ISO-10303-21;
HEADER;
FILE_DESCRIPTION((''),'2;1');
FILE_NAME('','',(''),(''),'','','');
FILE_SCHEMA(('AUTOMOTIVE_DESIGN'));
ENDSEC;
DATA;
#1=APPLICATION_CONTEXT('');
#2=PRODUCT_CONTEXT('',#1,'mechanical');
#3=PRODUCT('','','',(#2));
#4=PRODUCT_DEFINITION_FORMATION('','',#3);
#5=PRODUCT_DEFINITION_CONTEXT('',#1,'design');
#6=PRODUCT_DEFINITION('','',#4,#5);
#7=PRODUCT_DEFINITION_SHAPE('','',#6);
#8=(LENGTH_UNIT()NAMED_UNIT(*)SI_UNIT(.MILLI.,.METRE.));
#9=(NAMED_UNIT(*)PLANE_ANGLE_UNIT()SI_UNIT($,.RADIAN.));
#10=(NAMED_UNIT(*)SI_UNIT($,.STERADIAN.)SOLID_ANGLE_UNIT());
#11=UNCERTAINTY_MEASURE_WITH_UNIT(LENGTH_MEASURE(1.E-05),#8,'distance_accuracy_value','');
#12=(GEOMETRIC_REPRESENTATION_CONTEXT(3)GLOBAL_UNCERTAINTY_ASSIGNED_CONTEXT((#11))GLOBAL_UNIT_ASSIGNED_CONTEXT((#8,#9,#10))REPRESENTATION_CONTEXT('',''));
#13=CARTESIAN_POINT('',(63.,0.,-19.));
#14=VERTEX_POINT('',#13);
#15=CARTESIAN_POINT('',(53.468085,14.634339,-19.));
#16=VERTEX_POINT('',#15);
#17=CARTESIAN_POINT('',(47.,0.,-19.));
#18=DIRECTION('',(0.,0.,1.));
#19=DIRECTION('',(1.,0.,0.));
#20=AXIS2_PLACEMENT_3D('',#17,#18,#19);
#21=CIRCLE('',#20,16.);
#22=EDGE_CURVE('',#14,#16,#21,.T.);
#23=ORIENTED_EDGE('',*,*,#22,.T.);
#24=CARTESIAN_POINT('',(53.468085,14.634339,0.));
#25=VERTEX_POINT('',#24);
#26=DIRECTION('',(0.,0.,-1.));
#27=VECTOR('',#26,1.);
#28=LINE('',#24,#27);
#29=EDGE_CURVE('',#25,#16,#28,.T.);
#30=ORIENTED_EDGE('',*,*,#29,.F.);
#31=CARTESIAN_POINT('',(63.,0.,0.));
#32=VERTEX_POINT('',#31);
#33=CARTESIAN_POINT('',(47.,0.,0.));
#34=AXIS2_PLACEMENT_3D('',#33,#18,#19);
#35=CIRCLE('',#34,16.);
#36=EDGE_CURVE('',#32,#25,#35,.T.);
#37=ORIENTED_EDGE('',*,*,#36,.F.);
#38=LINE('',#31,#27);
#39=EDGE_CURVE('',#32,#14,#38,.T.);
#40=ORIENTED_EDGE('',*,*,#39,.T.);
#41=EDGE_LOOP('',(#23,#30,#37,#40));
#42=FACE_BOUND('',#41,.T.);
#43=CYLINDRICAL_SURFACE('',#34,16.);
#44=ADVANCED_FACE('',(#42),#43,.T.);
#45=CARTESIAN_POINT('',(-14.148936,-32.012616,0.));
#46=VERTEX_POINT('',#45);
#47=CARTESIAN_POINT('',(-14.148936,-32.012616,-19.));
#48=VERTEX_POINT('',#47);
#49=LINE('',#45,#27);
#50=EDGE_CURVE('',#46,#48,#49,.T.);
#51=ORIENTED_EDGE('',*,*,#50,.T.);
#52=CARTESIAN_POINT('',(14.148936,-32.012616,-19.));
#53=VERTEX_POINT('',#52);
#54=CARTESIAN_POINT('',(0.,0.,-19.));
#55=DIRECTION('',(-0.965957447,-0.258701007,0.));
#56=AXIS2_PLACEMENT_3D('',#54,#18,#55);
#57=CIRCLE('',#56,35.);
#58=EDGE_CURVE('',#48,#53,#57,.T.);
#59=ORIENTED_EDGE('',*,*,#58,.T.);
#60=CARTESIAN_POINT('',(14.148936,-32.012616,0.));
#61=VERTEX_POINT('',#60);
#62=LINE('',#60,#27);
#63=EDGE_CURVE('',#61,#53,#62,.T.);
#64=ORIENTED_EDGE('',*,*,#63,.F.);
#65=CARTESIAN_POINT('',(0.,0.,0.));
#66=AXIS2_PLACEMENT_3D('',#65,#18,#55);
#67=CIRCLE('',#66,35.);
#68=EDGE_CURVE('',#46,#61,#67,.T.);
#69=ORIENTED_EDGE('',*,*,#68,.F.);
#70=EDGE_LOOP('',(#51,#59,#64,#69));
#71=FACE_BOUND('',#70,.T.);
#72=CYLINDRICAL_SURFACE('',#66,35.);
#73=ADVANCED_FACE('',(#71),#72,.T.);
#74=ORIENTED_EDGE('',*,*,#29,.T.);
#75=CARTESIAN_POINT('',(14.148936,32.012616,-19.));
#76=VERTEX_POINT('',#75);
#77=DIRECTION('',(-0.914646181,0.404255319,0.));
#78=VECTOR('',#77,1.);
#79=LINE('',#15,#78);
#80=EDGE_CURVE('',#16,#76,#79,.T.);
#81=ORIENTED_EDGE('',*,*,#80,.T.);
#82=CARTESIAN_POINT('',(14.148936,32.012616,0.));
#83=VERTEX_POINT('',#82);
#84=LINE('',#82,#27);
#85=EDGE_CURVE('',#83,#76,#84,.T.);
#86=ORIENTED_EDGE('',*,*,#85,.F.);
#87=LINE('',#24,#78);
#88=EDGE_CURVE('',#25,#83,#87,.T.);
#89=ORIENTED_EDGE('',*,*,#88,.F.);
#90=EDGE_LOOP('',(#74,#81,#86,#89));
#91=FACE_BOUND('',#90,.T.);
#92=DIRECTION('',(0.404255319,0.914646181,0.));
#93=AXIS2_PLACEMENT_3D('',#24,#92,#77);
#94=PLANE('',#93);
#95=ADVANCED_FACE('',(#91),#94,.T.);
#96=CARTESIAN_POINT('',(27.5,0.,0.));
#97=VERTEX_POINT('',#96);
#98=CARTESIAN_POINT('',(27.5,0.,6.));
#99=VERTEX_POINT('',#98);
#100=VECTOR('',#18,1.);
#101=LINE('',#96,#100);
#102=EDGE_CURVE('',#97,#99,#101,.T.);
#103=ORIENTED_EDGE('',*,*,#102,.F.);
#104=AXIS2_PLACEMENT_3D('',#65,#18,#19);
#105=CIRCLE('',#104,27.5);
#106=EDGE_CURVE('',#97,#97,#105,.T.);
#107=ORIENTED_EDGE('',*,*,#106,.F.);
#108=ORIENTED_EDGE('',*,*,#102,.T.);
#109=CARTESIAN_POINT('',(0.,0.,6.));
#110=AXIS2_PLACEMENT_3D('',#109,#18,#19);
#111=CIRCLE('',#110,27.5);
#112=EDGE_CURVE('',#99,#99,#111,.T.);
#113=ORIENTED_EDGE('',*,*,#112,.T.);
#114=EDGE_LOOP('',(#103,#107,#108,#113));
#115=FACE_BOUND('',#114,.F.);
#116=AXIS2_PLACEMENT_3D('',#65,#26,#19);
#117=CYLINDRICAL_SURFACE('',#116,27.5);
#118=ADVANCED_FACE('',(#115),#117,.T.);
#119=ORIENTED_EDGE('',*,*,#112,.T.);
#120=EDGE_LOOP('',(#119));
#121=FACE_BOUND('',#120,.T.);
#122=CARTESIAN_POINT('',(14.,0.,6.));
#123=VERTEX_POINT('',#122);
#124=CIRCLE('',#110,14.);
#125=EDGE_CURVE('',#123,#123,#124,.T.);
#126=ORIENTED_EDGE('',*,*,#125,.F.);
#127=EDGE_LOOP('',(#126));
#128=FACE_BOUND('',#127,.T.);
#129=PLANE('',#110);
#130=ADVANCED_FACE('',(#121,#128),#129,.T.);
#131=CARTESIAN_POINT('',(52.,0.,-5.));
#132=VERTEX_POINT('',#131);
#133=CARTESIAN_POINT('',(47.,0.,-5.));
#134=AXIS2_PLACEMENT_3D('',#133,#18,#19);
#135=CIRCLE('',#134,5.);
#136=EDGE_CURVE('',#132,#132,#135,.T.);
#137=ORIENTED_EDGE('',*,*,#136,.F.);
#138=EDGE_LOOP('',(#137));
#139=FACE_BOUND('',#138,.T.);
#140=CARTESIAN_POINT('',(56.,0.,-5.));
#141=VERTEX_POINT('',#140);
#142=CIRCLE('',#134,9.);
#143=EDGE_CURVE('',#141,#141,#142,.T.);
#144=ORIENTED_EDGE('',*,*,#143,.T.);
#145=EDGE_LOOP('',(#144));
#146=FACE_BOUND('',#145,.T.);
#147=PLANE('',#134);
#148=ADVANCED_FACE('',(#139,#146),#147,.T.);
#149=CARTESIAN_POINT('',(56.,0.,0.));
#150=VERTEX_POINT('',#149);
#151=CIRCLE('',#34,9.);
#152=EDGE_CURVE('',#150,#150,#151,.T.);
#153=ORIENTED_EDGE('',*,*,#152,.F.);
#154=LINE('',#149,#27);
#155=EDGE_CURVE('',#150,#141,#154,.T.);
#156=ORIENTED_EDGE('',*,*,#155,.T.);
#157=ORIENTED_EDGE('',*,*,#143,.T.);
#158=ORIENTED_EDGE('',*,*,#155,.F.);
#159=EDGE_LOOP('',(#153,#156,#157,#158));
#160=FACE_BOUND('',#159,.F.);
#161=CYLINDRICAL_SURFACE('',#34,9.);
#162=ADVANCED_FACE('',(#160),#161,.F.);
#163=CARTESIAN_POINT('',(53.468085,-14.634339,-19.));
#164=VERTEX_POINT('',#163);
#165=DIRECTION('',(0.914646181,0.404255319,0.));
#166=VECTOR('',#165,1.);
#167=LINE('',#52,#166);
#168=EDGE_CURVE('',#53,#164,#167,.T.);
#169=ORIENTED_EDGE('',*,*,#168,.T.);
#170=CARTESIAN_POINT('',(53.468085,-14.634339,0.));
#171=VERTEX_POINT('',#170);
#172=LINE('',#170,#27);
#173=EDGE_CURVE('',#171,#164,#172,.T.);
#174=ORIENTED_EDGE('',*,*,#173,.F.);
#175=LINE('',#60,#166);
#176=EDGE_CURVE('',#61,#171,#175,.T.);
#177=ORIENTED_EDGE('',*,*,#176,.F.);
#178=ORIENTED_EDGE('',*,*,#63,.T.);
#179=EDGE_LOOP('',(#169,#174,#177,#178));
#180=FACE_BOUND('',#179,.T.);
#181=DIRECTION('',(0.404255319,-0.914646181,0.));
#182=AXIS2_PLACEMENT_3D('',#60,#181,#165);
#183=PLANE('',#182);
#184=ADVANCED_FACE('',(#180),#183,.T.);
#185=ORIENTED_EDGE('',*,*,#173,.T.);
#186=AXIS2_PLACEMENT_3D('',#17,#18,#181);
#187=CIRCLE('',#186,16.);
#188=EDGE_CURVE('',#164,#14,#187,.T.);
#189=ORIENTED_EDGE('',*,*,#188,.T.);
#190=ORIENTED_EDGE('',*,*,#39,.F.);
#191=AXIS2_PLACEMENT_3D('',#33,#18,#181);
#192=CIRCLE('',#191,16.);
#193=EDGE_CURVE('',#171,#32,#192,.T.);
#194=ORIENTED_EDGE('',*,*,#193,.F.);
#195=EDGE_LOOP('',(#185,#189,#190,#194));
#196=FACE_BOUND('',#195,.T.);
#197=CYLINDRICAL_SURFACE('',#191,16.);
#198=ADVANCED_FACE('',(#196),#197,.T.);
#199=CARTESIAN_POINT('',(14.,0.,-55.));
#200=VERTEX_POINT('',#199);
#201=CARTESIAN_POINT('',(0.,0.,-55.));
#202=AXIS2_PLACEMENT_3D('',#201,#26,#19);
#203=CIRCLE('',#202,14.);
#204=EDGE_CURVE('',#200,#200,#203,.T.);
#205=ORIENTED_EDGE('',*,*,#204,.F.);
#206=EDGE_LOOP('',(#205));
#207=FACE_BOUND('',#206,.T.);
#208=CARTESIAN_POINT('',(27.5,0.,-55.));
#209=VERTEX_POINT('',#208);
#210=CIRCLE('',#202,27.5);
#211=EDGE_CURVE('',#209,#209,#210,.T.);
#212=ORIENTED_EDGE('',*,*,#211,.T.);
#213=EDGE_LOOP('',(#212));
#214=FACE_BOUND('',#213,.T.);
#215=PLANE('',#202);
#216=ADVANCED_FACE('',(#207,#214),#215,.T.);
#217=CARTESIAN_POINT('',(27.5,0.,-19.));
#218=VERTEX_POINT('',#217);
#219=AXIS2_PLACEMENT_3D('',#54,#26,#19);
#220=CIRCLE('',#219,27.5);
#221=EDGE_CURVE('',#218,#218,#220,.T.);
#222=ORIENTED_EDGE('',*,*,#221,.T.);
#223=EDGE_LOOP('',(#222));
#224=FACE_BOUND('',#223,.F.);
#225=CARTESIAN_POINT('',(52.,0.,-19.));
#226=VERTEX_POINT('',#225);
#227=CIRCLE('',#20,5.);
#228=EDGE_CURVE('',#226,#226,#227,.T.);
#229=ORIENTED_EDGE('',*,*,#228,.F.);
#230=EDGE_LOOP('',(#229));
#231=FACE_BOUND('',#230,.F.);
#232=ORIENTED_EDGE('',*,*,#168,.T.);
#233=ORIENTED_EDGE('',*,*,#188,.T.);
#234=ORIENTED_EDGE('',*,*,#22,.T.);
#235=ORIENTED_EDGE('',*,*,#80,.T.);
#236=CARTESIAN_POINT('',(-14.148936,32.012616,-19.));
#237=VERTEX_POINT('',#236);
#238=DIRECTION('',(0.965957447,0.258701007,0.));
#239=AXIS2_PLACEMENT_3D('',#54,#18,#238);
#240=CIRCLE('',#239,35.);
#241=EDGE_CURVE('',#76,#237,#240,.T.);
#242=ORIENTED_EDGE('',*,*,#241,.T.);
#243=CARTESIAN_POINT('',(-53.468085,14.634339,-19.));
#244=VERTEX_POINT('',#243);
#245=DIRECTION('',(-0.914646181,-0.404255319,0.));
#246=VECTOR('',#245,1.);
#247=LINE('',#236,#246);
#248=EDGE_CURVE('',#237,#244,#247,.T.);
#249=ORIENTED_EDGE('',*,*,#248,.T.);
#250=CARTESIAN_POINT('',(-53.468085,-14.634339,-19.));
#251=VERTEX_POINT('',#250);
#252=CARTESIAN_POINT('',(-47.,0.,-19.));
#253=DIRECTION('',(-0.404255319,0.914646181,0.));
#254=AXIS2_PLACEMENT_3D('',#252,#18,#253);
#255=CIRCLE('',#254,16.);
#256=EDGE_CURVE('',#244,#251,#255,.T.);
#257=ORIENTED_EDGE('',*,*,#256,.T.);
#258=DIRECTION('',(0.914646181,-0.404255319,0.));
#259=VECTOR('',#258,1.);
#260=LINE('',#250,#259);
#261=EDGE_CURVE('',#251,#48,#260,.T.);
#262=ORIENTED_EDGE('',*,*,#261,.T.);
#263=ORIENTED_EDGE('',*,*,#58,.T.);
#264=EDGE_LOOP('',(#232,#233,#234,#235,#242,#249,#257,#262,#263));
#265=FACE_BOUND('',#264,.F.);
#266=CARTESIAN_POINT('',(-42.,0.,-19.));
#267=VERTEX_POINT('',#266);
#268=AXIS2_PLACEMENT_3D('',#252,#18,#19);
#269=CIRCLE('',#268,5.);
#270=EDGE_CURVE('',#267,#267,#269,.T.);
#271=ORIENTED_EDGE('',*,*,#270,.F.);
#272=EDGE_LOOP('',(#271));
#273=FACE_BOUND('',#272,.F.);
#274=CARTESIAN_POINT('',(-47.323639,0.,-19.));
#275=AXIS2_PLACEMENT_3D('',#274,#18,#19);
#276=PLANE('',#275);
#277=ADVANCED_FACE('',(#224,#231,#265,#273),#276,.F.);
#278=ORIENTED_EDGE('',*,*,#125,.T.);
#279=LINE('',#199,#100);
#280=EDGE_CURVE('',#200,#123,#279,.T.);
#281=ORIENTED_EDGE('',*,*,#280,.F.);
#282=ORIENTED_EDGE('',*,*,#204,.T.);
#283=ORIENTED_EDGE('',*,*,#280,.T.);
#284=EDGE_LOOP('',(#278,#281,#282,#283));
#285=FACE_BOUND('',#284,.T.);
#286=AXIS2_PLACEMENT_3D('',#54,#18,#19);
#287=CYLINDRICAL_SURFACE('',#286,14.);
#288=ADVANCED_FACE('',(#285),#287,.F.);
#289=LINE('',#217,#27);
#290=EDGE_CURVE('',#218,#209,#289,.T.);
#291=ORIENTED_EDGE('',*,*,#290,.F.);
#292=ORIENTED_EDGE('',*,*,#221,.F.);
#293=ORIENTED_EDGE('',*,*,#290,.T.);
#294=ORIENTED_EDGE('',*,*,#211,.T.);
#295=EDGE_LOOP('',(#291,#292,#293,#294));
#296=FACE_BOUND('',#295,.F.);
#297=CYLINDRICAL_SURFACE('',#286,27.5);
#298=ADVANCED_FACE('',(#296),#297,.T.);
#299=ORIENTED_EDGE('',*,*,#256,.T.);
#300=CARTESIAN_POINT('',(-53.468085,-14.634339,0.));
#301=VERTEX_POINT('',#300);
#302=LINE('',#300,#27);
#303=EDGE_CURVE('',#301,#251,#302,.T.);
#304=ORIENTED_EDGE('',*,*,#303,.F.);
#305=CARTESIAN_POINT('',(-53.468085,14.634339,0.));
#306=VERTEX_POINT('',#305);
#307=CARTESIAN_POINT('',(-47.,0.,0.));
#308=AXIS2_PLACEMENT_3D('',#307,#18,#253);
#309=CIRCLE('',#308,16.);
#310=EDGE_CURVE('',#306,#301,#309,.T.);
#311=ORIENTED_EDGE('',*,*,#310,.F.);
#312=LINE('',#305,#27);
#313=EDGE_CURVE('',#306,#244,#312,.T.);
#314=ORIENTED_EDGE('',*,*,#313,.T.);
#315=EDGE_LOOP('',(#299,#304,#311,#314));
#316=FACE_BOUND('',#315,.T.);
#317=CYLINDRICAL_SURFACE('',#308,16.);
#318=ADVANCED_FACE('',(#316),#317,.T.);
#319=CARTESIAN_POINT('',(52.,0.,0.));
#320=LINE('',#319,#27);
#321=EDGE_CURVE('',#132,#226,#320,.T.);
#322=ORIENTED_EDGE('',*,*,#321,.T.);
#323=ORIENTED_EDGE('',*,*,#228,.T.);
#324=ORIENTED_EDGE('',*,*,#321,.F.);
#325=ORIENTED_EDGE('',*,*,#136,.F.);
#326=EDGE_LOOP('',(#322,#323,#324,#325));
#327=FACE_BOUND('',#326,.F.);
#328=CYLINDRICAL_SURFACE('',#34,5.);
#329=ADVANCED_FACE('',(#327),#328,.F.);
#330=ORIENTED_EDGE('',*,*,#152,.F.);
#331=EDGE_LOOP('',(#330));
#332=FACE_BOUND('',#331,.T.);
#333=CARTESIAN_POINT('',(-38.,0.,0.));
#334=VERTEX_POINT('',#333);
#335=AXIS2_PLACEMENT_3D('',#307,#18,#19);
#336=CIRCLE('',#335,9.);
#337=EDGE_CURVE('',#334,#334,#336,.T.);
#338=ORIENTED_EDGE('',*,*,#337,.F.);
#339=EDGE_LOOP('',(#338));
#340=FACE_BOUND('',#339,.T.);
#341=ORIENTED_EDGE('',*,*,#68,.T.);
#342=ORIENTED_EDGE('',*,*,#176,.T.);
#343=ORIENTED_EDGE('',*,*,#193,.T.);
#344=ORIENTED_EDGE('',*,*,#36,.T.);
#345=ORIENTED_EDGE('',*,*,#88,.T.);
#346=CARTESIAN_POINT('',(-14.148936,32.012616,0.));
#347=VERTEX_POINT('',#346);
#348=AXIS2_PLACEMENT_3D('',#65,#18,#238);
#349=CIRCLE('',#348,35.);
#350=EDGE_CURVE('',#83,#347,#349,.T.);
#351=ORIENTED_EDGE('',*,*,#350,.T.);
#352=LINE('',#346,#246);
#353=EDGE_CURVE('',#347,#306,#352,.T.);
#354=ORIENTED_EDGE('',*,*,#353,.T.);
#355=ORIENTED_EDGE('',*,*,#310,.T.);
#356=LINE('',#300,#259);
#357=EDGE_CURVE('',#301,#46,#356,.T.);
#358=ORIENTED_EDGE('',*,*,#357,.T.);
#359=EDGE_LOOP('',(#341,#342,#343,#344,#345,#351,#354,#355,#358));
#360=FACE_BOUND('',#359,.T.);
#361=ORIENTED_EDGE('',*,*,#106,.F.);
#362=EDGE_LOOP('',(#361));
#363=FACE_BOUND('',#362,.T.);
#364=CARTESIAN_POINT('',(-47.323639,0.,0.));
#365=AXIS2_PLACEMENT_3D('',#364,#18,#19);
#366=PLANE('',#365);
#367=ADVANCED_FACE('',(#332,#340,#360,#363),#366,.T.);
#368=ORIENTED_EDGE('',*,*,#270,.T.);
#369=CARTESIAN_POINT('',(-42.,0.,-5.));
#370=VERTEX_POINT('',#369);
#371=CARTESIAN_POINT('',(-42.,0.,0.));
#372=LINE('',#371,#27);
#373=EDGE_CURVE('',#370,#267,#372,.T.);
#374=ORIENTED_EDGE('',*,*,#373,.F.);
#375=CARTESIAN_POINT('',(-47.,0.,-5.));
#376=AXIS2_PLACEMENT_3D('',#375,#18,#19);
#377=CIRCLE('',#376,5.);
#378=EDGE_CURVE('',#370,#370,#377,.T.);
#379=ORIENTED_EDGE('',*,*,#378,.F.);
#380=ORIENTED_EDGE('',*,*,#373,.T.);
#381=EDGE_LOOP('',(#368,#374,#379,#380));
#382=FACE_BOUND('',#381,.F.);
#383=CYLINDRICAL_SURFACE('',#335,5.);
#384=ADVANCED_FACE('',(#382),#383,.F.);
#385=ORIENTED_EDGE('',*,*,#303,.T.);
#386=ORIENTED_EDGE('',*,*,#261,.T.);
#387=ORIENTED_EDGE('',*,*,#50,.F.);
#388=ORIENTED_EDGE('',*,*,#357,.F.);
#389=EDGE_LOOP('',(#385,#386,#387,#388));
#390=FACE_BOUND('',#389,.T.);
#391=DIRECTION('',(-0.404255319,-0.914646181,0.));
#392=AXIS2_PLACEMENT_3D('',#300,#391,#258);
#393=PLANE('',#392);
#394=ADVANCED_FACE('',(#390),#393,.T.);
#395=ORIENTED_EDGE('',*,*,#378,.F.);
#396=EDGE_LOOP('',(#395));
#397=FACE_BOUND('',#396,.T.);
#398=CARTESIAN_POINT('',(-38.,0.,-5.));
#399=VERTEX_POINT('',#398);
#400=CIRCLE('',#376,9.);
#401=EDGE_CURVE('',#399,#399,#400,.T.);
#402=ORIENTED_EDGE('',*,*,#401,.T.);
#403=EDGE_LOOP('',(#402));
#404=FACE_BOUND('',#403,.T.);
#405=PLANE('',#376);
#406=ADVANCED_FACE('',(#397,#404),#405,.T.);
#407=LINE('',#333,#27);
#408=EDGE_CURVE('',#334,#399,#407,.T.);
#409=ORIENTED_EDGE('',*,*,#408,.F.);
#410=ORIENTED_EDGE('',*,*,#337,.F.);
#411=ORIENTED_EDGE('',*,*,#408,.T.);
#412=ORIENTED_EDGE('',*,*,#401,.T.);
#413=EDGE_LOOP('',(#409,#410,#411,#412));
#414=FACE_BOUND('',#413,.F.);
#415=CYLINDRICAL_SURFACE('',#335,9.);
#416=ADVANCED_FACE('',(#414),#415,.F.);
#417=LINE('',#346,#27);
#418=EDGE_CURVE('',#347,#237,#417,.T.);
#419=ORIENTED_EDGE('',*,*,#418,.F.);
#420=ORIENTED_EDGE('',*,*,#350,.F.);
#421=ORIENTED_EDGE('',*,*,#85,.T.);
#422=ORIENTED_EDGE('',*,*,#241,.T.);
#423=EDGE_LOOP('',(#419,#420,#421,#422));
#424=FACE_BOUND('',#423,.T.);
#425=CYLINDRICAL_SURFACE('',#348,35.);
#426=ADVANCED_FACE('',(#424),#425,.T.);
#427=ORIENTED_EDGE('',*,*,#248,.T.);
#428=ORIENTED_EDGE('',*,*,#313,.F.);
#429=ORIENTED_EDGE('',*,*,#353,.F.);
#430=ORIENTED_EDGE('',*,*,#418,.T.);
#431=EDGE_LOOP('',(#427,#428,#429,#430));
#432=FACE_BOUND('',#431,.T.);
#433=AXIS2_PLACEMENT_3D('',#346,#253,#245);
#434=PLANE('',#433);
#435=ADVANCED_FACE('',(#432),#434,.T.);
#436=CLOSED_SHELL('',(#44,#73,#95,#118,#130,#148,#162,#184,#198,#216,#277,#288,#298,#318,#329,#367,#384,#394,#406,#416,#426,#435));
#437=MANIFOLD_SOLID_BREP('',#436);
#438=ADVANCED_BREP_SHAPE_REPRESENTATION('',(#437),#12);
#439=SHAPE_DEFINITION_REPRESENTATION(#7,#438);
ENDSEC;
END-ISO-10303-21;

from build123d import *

# Parameters (mm, degrees)
F0_R     = 27.5
F0_R_2   = 14
F1_DEPTH = 19
F2_DEPTH = 6
F3_R     = 27.5
F3_R_2   = 14
F4_DEPTH = 36
F5_R     = 5
F6_DEPTH = 25
F7_R     = 9
F8_DEPTH = 5


with BuildPart() as f1:
    # F0 (on Top) → F1 (new body)
    with BuildSketch(Plane.XY):
        with BuildLine():
            ThreePointArc((-33.8085106383, -9.0545352404), (-35, 0), (-33.8085106383, 9.0545352404))
            ThreePointArc((-33.8085106383, 9.0545352404), (-42.6314083028, 15.3920566067), (-53.4680851064, 14.6343389006))
            ThreePointArc((-53.4680851064, 14.6343389006), (-63, 0), (-53.4680851064, -14.6343389006))
            ThreePointArc((-53.4680851064, -14.6343389006), (-42.6314083028, -15.3920566067), (-33.8085106383, -9.0545352404))
        make_face()
        with BuildLine():
            ThreePointArc((-33.8085106383, 9.0545352404), (-26.5847239613, 22.7651587278), (-14.1489361702, 32.012616345))
            Line((-14.1489361702, 32.012616345), (-53.4680851064, 14.6343389006))
            ThreePointArc((-53.4680851064, 14.6343389006), (-42.6314083028, 15.3920566067), (-33.8085106383, 9.0545352404))
        make_face()
        with BuildLine():
            ThreePointArc((-31, 0), (-31.7182489585, 4.7400511713), (-33.8085106383, 9.0545352404))
            ThreePointArc((-33.8085106383, 9.0545352404), (-35, 0), (-33.8085106383, -9.0545352404))
            ThreePointArc((-33.8085106383, -9.0545352404), (-31.7182489585, -4.7400511713), (-31, 0))
        make_face()
        with BuildLine():
            ThreePointArc((33.8085106383, 9.0545352404), (26.5847239613, 22.7651587278), (14.1489361702, 32.012616345))
            ThreePointArc((14.1489361702, 32.012616345), (0, 35), (-14.1489361702, 32.012616345))
            ThreePointArc((-14.1489361702, 32.012616345), (-26.5847239613, 22.7651587278), (-33.8085106383, 9.0545352404))
            ThreePointArc((-33.8085106383, 9.0545352404), (-31.7182489585, 4.7400511713), (-31, 0))
            ThreePointArc((-31, 0), (-31.7182489585, -4.7400511713), (-33.8085106383, -9.0545352404))
            ThreePointArc((-33.8085106383, -9.0545352404), (-26.5847239613, -22.7651587278), (-14.1489361702, -32.012616345))
            ThreePointArc((-14.1489361702, -32.012616345), (0, -35), (14.1489361702, -32.012616345))
            ThreePointArc((14.1489361702, -32.012616345), (26.5847239613, -22.7651587278), (33.8085106383, -9.0545352404))
            ThreePointArc((33.8085106383, -9.0545352404), (31, 0), (33.8085106383, 9.0545352404))
        make_face()
        Circle(F0_R, mode=Mode.SUBTRACT)
        with BuildLine():
            ThreePointArc((-14.1489361702, -32.012616345), (-26.5847239613, -22.7651587278), (-33.8085106383, -9.0545352404))
            ThreePointArc((-33.8085106383, -9.0545352404), (-42.6314083028, -15.3920566067), (-53.4680851064, -14.6343389006))
            Line((-53.4680851064, -14.6343389006), (-14.1489361702, -32.012616345))
        make_face()
        Circle(F0_R)
        Circle(F0_R_2, mode=Mode.SUBTRACT)
        with BuildLine():
            ThreePointArc((53.4680851064, 14.6343389006), (42.6314083028, 15.3920566067), (33.8085106383, 9.0545352404))
            ThreePointArc((33.8085106383, 9.0545352404), (34.700849214, 4.5662965114), (35, 0))
            ThreePointArc((35, 0), (34.700849214, -4.5662965114), (33.8085106383, -9.0545352404))
            ThreePointArc((33.8085106383, -9.0545352404), (42.6314083028, -15.3920566067), (53.4680851064, -14.6343389006))
            ThreePointArc((53.4680851064, -14.6343389006), (60.4068893055, -8.7324291666), (63, 0))
            ThreePointArc((63, 0), (60.4068893055, 8.7324291666), (53.4680851064, 14.6343389006))
        make_face()
        with BuildLine():
            ThreePointArc((35, 0), (34.700849214, 4.5662965114), (33.8085106383, 9.0545352404))
            ThreePointArc((33.8085106383, 9.0545352404), (31, 0), (33.8085106383, -9.0545352404))
            ThreePointArc((33.8085106383, -9.0545352404), (34.700849214, -4.5662965114), (35, 0))
        make_face()
        with BuildLine():
            Line((53.4680851064, 14.6343389006), (14.1489361702, 32.012616345))
            ThreePointArc((14.1489361702, 32.012616345), (26.5847239613, 22.7651587278), (33.8085106383, 9.0545352404))
            ThreePointArc((33.8085106383, 9.0545352404), (42.6314083028, 15.3920566067), (53.4680851064, 14.6343389006))
        make_face()
        with BuildLine():
            ThreePointArc((53.4680851064, -14.6343389006), (42.6314083028, -15.3920566067), (33.8085106383, -9.0545352404))
            ThreePointArc((33.8085106383, -9.0545352404), (26.5847239613, -22.7651587278), (14.1489361702, -32.012616345))
            Line((14.1489361702, -32.012616345), (53.4680851064, -14.6343389006))
        make_face()
    extrude(amount=-F1_DEPTH)

    # F0 (on Top) → F2 (join)
    with BuildSketch(Plane.XY):
        Circle(F0_R)
        Circle(F0_R_2, mode=Mode.SUBTRACT)
    extrude(amount=F2_DEPTH)

    # F3 (on face) → F4 (join)
    with BuildSketch(Plane(origin=(0, 0, -19), x_dir=(1, 0, 0), z_dir=(0, 0, -1))):
        Circle(F3_R)
        Circle(F3_R_2, mode=Mode.SUBTRACT)
    extrude(amount=F4_DEPTH)

    # F5 (on face) → F6 (cut)
    with BuildSketch(Plane.XY):
        with Locations((-47, 0)):
            Circle(F5_R)
        with Locations((47, 0)):
            Circle(F5_R)
    extrude(amount=-F6_DEPTH, mode=Mode.SUBTRACT)

    # F7 (on face) → F8 (cut)
    with BuildSketch(Plane.XY):
        with Locations((-47, 0)):
            Circle(F7_R)
        with Locations((47, 0)):
            Circle(F7_R)
    extrude(amount=-F8_DEPTH, mode=Mode.SUBTRACT)


solid = f1.part
